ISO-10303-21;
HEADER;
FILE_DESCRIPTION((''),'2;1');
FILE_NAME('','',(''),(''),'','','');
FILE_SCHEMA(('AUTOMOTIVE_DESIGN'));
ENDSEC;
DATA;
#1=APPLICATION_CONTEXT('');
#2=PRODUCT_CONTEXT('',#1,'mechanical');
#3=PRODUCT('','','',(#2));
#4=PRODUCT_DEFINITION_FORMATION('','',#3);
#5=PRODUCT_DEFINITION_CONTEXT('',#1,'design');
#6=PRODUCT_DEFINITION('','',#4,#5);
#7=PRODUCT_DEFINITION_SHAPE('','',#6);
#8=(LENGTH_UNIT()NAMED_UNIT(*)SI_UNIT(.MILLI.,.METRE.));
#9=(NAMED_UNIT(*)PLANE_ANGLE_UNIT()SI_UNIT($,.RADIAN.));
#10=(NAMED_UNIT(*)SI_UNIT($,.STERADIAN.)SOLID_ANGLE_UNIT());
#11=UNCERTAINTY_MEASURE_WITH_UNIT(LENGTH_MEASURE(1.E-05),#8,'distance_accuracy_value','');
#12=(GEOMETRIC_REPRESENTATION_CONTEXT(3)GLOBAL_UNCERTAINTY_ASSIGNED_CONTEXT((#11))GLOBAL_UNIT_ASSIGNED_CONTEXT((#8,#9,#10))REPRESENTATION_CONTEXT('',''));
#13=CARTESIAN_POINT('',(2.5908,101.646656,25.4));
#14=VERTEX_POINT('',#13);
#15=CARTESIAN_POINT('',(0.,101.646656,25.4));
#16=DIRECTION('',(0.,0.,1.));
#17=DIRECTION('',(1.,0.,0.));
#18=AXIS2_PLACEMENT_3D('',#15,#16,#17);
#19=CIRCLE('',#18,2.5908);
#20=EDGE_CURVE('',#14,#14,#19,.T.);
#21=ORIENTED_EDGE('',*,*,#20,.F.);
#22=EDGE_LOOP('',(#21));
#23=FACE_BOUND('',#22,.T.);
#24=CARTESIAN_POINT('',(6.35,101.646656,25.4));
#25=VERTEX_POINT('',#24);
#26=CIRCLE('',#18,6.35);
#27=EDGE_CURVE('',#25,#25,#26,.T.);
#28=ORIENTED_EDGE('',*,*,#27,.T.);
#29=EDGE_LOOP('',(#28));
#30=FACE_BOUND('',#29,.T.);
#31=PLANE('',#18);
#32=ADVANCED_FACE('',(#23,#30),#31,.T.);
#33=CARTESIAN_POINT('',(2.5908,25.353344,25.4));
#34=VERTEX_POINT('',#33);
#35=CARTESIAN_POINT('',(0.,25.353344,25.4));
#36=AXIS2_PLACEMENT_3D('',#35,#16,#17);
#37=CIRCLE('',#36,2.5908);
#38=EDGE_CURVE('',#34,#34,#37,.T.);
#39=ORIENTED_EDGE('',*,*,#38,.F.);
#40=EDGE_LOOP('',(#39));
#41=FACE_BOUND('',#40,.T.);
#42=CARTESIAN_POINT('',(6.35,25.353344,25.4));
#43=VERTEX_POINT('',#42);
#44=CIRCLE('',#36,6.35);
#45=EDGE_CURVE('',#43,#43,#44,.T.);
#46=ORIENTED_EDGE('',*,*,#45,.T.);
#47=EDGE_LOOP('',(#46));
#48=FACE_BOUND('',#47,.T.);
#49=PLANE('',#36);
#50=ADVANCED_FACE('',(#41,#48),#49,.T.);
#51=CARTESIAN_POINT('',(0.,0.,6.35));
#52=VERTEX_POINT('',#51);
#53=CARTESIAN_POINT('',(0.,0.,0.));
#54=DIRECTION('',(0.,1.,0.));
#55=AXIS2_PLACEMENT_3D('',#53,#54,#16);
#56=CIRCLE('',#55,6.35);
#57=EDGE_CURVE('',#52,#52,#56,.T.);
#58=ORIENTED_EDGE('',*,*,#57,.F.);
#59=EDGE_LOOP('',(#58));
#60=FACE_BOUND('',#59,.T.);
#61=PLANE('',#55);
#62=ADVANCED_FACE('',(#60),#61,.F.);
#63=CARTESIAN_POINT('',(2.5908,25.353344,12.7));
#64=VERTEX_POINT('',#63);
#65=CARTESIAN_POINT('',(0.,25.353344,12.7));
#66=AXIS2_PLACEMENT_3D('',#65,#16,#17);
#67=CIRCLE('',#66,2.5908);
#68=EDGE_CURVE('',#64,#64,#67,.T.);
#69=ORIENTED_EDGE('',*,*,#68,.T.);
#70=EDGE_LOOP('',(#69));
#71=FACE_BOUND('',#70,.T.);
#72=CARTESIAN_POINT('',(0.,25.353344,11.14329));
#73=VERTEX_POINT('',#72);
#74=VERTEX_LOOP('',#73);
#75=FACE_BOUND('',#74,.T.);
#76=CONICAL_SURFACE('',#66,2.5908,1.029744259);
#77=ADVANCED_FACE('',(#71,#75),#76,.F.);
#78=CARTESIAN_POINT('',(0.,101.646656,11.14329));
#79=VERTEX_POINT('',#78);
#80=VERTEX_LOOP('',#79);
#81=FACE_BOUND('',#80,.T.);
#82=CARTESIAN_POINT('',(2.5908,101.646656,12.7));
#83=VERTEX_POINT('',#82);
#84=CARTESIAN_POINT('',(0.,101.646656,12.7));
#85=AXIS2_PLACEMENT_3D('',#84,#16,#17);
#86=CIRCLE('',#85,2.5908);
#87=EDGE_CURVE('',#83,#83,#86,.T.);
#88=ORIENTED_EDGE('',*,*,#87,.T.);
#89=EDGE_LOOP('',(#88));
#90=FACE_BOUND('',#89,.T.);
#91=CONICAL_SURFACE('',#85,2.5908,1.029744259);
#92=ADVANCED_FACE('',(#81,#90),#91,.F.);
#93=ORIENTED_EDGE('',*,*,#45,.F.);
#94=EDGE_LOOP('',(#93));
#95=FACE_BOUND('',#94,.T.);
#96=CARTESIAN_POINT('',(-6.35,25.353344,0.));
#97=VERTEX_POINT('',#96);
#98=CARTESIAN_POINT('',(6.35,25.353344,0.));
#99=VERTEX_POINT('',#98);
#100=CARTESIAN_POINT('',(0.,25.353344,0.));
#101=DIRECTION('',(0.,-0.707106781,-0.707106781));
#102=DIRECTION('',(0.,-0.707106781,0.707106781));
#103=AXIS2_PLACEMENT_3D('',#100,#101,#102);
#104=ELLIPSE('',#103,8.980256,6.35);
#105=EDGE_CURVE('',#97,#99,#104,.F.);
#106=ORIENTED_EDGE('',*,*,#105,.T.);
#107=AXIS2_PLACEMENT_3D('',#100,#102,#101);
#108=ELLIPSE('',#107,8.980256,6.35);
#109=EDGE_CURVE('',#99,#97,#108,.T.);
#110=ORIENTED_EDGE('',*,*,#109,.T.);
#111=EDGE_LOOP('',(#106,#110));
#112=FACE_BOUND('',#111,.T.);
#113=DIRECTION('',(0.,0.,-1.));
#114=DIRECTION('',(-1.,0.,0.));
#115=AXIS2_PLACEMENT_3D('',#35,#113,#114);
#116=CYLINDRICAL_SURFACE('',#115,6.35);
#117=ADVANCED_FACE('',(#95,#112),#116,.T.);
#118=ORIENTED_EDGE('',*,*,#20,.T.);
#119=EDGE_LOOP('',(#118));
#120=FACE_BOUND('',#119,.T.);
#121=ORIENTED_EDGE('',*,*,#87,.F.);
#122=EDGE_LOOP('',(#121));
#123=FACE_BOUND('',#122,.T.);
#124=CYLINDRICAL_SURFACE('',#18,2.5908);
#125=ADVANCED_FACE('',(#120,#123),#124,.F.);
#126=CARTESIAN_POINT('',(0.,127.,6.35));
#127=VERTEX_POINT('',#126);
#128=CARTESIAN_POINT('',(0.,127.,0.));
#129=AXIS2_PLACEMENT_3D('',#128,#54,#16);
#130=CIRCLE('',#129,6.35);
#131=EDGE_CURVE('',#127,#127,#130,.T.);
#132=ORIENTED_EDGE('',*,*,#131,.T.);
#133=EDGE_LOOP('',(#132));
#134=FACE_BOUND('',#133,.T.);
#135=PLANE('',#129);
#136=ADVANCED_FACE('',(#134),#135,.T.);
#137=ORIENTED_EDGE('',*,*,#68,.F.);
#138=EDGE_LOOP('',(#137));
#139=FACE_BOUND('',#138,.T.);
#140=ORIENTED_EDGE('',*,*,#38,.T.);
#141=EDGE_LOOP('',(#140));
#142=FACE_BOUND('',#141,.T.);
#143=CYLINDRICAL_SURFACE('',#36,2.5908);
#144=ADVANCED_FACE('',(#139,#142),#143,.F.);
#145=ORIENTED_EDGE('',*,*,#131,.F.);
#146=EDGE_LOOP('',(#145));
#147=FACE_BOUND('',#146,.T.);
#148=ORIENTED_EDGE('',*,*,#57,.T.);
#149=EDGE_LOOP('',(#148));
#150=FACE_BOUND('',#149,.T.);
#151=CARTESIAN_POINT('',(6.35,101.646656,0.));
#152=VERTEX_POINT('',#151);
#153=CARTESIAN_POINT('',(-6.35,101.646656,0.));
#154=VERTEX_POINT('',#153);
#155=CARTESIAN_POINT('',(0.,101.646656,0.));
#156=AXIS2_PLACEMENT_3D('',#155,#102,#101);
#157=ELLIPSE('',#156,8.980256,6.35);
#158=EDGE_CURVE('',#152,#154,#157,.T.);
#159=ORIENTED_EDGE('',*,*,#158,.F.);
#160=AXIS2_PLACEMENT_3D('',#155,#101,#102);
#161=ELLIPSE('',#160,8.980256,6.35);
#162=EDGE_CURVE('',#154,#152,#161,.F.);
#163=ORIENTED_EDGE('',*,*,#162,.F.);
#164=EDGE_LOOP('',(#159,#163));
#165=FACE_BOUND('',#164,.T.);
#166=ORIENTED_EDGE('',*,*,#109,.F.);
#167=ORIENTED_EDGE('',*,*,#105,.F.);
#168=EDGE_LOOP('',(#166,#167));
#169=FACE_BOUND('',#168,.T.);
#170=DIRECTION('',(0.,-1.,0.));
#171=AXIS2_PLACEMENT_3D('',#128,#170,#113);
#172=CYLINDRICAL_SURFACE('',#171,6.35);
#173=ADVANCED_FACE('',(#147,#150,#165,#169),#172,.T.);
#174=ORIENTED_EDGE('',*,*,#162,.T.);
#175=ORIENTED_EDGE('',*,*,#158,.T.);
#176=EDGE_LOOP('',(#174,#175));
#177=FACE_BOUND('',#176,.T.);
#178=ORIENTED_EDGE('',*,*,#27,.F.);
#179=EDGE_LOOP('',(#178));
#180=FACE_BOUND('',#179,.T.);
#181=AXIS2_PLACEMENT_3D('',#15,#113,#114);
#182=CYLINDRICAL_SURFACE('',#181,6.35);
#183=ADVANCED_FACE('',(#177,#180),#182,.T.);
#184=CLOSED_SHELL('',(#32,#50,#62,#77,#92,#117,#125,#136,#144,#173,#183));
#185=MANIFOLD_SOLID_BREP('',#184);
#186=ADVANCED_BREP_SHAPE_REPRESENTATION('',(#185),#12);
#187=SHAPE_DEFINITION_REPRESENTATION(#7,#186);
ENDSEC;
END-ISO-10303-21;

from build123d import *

# Parameters (mm, degrees)
SKETCH2_R                      = 6.35
BOSS_EXTRUDE1_DEPTH            = 127
SKETCH3_R                      = 6.35
BOSS_EXTRUDE2_DEPTH            = 25.4
F_6_0_204_DIAMETER_HOLE1_D     = 5.1816
F_6_0_204_DIAMETER_HOLE1_DEPTH = 12.7
F_6_0_204_DIAMETER_HOLE1_TIP   = 1.556709692


with BuildPart() as part:
    # Sketch2 → Boss-Extrude1 (new body)
    with BuildSketch(Plane(origin=(0, 0, 0), x_dir=(1, 0, 0), z_dir=(0, 1, 0))):
        with Locations(Location((0, 0, 0), (0, 0, 270))):
            Circle(SKETCH2_R)
    extrude(amount=BOSS_EXTRUDE1_DEPTH)

    # Sketch3 → Boss-Extrude2 (add)
    with BuildSketch(Plane.XY):
        with Locations((0, 101.646656128)):
            Circle(SKETCH3_R)
        with Locations((0, 25.353343872)):
            Circle(SKETCH3_R)
    extrude(amount=BOSS_EXTRUDE2_DEPTH)

    # #6 (0.204) Diameter Hole1
    with Locations(Plane.XY.offset(25.4)):
        with Locations((0, 101.646656128), (0, 25.353343872)):
            Hole(F_6_0_204_DIAMETER_HOLE1_D / 2, depth=F_6_0_204_DIAMETER_HOLE1_DEPTH)
            with Locations((0, 0, -(F_6_0_204_DIAMETER_HOLE1_DEPTH + F_6_0_204_DIAMETER_HOLE1_TIP / 2))):  # 118° drill point
                Cone(0, F_6_0_204_DIAMETER_HOLE1_D / 2, F_6_0_204_DIAMETER_HOLE1_TIP, mode=Mode.SUBTRACT)


solid = part.part
